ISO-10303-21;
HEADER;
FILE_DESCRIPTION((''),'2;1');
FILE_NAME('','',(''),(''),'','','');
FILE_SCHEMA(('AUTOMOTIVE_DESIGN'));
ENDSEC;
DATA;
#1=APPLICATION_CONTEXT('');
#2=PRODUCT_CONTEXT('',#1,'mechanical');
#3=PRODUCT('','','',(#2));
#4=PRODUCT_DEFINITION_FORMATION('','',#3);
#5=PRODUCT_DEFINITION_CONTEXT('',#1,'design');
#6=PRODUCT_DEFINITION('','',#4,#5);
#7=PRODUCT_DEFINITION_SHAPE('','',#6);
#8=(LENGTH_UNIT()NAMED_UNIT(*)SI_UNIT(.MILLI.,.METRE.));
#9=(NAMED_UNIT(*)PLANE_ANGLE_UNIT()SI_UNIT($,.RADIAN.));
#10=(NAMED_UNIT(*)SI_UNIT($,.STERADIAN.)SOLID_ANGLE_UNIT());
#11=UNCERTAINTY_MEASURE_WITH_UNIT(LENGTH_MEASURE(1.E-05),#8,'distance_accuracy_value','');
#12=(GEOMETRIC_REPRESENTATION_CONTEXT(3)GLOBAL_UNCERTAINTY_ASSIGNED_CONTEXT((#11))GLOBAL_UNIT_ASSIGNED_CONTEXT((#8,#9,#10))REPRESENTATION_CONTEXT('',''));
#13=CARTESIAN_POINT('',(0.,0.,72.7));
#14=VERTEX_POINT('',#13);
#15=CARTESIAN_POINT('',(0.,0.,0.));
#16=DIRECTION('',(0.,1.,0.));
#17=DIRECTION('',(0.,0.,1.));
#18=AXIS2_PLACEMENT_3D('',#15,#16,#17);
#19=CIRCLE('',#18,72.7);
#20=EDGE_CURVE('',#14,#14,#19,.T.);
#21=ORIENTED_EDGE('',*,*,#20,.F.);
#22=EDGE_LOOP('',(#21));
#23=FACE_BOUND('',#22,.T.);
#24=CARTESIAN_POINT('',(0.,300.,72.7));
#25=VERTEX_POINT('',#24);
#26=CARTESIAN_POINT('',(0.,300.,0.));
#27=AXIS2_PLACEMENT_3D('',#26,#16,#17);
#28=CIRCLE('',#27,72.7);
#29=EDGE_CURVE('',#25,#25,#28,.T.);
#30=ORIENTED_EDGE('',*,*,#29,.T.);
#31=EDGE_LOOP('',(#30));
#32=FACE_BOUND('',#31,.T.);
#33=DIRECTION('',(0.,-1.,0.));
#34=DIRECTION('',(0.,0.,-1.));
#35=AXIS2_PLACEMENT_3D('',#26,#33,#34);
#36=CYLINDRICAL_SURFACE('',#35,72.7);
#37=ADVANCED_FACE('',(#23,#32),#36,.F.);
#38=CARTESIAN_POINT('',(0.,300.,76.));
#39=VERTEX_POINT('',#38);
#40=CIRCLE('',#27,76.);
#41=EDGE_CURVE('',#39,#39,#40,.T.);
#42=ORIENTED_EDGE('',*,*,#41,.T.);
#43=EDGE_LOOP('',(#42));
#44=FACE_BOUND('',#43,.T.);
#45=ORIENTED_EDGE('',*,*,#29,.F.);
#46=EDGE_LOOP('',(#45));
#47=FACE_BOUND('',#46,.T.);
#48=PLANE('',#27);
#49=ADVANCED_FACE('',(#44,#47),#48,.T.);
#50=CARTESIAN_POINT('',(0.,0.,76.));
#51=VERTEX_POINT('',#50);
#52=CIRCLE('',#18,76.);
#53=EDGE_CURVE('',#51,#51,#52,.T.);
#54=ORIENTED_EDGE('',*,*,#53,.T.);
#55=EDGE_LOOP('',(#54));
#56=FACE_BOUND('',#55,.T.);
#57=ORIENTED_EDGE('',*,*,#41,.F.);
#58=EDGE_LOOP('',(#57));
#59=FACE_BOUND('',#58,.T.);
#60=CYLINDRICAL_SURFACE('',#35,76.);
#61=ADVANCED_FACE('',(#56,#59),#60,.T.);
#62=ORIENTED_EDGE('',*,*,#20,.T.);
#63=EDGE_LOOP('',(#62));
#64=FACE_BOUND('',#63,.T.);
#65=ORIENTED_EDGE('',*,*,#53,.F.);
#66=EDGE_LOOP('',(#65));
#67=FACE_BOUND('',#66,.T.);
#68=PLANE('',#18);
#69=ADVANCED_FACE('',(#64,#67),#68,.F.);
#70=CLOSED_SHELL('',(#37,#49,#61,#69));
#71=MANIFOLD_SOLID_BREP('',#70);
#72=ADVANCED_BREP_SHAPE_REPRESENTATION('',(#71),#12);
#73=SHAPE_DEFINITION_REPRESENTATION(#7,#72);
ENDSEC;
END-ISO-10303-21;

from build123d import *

# Parameters (mm, degrees)
ESQUISSE1_R        = 76
ESQUISSE1_R_2      = 72.7
BOSS_EXTRU_1_DEPTH = 300


with BuildPart() as part:
    # Esquisse1 → Boss.-Extru.1 (new body)
    with BuildSketch(Plane(origin=(0, 0, 0), x_dir=(1, 0, 0), z_dir=(0, 1, 0))):
        with Locations(Location((0, 0, 0), (0, 0, 270))):
            Circle(ESQUISSE1_R)
        with Locations(Location((0, 0, 0), (0, 0, 270))):
            Circle(ESQUISSE1_R_2, mode=Mode.SUBTRACT)
    extrude(amount=BOSS_EXTRU_1_DEPTH)


solid = part.part
